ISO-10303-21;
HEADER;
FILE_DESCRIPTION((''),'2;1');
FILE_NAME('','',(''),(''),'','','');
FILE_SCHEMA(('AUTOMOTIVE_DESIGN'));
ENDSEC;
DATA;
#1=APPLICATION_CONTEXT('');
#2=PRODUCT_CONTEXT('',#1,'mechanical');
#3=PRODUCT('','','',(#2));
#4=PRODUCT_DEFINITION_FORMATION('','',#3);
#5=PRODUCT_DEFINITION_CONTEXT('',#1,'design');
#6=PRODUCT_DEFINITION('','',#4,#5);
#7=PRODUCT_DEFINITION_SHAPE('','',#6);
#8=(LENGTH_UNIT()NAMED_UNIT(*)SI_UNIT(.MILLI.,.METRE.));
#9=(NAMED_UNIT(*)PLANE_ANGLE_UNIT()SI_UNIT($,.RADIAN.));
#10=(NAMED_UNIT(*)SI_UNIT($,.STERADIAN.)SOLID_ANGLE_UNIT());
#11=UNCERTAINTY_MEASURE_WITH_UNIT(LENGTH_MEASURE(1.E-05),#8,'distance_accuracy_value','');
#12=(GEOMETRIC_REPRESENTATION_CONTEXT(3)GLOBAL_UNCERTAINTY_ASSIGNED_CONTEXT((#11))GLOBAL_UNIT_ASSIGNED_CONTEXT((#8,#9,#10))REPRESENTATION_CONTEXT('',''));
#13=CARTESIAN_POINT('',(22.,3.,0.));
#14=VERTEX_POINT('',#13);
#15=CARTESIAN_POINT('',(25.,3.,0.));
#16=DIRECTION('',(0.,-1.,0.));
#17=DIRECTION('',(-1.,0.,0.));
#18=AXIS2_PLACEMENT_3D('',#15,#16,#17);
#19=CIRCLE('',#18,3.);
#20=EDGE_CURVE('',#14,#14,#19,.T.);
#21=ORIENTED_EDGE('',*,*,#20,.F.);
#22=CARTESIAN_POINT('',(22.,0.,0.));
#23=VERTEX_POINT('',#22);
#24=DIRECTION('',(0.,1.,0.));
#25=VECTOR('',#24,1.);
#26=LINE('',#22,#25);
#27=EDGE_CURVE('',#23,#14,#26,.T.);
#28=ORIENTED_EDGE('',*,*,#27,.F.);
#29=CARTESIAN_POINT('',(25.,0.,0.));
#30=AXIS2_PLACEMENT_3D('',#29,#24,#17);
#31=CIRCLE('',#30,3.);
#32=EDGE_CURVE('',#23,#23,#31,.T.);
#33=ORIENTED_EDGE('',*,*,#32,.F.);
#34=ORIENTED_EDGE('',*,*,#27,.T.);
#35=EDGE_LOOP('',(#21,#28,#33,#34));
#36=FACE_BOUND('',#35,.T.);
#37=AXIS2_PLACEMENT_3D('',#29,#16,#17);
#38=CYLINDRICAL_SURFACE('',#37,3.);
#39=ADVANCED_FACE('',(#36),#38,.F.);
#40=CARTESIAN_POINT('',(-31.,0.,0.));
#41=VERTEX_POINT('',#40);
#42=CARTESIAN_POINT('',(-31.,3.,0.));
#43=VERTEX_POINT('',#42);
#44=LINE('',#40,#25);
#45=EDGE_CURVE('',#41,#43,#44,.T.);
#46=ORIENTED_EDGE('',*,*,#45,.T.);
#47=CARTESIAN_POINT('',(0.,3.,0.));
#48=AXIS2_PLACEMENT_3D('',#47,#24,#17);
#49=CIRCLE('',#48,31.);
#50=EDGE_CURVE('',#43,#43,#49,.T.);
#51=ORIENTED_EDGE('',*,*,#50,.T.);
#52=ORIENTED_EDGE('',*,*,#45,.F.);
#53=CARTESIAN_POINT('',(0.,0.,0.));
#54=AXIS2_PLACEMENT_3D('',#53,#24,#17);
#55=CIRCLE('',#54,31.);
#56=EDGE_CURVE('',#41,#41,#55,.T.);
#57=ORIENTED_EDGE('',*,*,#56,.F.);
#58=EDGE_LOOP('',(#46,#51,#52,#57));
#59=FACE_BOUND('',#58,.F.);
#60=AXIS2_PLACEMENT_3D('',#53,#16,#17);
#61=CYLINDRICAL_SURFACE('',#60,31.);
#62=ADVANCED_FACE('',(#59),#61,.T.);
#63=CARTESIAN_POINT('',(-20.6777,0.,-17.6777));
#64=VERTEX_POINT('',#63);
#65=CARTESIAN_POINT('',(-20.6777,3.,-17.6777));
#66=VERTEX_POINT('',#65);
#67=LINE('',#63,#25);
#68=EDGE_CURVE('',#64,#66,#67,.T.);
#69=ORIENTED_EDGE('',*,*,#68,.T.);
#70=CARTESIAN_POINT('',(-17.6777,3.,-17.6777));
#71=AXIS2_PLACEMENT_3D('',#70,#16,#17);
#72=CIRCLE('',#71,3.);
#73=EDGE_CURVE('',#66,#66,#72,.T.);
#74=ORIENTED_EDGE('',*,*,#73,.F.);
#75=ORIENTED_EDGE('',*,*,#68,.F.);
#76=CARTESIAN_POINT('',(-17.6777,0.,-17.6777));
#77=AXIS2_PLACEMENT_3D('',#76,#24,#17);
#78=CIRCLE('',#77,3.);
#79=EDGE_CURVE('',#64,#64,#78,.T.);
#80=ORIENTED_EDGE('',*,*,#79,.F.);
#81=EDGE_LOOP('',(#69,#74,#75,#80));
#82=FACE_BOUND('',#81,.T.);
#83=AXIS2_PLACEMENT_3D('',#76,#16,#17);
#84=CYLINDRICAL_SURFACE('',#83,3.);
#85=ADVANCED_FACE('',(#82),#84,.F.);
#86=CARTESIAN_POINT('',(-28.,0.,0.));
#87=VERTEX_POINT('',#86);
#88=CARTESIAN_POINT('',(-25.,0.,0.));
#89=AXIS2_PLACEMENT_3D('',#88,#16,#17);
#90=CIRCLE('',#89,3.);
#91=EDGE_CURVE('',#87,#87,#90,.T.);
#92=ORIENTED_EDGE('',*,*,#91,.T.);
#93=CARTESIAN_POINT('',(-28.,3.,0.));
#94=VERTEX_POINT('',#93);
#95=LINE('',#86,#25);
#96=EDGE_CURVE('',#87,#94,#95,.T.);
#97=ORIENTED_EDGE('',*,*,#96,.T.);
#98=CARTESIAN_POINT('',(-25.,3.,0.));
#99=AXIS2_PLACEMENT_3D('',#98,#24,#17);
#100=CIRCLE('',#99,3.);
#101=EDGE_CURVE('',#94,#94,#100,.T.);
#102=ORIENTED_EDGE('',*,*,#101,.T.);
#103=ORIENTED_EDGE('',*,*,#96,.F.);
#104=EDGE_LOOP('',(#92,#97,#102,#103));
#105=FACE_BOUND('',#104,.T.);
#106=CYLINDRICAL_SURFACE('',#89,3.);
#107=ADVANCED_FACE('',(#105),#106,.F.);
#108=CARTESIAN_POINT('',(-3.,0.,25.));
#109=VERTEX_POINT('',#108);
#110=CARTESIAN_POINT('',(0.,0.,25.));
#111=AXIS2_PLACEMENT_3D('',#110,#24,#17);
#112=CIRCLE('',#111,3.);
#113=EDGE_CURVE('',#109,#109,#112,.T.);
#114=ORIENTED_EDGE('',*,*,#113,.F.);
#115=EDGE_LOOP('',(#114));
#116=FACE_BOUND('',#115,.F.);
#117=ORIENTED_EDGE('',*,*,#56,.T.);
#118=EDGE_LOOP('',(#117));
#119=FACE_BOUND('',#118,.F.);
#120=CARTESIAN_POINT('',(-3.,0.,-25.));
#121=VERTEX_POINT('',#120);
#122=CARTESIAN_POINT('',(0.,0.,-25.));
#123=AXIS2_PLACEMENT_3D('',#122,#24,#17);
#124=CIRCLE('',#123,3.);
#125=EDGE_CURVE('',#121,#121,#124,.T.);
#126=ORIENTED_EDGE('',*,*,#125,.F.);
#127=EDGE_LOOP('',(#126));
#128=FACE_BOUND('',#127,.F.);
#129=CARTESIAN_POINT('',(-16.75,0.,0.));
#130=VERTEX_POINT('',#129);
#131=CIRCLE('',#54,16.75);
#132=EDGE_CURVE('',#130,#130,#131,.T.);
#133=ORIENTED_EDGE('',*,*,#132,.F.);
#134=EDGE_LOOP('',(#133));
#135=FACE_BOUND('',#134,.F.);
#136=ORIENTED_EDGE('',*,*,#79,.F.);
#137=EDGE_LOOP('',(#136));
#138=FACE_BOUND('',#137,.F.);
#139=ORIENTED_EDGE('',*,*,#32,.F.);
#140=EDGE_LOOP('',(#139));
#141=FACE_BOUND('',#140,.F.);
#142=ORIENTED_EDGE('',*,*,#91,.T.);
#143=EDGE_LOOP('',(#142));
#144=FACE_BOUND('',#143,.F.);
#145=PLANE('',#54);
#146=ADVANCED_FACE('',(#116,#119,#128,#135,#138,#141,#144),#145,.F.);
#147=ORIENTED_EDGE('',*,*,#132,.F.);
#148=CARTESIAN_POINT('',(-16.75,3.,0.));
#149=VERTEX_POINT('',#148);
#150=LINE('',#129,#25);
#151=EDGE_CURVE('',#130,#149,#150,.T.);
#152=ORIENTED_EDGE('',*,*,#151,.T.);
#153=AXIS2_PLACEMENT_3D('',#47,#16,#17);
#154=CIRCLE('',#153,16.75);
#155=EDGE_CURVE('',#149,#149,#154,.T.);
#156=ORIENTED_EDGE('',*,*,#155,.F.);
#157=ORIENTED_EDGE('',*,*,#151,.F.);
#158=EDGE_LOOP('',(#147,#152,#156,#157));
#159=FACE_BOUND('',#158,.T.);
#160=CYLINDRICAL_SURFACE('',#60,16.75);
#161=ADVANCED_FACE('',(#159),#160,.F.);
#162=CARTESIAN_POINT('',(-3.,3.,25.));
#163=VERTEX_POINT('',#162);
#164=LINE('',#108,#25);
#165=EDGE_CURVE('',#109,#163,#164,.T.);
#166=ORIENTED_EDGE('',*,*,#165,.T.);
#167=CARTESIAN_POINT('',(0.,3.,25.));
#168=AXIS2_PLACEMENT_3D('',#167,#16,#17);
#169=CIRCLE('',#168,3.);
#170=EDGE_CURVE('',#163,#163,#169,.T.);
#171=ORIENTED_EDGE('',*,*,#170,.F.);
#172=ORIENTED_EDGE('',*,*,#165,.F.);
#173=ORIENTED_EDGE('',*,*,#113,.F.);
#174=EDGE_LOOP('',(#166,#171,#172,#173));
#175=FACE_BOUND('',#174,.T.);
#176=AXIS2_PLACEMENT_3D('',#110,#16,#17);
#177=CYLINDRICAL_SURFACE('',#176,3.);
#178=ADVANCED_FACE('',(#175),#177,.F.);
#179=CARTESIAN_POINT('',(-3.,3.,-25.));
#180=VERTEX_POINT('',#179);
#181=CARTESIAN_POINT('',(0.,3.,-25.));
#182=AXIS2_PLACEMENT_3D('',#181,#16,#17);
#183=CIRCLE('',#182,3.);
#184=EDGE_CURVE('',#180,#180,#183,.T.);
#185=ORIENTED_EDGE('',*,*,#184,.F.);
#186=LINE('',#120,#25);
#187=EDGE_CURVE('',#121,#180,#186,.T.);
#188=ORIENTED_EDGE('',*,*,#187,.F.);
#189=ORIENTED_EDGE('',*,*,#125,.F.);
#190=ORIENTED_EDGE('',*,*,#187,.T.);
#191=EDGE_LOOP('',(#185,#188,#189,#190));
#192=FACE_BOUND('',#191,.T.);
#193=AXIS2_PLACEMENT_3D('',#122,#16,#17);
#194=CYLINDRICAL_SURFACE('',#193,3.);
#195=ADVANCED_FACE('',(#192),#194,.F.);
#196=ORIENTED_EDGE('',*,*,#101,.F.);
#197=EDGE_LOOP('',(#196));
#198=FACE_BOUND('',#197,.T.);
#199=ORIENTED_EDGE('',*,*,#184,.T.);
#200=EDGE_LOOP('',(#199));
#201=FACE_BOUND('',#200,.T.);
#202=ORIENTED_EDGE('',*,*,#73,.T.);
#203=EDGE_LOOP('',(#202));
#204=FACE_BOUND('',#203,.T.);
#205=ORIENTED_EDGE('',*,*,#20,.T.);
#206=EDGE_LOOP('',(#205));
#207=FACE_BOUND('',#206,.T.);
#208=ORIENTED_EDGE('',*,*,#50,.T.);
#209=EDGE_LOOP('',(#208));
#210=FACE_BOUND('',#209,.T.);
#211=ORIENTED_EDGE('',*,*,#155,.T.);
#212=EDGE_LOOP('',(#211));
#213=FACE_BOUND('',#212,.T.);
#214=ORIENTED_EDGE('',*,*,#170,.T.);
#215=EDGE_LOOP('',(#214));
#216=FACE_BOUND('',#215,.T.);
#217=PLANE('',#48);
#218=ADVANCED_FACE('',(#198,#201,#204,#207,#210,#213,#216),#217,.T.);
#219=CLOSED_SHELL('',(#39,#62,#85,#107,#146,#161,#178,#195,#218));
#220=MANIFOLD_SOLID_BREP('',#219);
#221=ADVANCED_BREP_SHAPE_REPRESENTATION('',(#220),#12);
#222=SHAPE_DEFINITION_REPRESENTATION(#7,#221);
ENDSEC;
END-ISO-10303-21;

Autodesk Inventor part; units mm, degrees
ref_plane "YZ Plane" through (0, 0, 0) normal (1, 0, 0) x (0, 1, 0)
ref_plane "XZ Plane" through (0, 0, 0) normal (0, 1, 0) x (-1, 0, 0)
ref_plane "XY Plane" through (0, 0, 0) normal (0, 0, 1) x (1, 0, 0)
sketch "Sketch2" plane through (0, 0, 0) normal (0, 1, 0) x (-1, 0, 0)
  circle A0 centre (0, 0) radius 16.75
  circle A1 centre (0, 0) radius 25
  circle A2 centre (0, 0) radius 31
  circle A3 centre (25, 0) radius 3
  circle A4 centre (0, 25) radius 3
  circle A5 centre (0, -25) radius 3
  circle A6 centre (-25, 0) radius 3
  circle A7 centre (17.6777, -17.6777) radius 3
  line L0 (0, 0) -> (25, 0)
  line L1 (0, 0) -> (17.6777, -17.6777)
  dimension "d0" = 33.5
  dimension "d1" = 50
  dimension "d2" = 62
  dimension "d3" = 6
  dimension "d4" = 6
  dimension "d5" = 45
extrude "Extrusion1" add sketch "Sketch2" along normal blind 3 contours L0 A3 A1 A7 L1 A0 | A0 L1 A7 A1 A5 A6 A4 A3 L0 | A2
properties part number "robotiq_ur5_flange_adapter_flattener"
